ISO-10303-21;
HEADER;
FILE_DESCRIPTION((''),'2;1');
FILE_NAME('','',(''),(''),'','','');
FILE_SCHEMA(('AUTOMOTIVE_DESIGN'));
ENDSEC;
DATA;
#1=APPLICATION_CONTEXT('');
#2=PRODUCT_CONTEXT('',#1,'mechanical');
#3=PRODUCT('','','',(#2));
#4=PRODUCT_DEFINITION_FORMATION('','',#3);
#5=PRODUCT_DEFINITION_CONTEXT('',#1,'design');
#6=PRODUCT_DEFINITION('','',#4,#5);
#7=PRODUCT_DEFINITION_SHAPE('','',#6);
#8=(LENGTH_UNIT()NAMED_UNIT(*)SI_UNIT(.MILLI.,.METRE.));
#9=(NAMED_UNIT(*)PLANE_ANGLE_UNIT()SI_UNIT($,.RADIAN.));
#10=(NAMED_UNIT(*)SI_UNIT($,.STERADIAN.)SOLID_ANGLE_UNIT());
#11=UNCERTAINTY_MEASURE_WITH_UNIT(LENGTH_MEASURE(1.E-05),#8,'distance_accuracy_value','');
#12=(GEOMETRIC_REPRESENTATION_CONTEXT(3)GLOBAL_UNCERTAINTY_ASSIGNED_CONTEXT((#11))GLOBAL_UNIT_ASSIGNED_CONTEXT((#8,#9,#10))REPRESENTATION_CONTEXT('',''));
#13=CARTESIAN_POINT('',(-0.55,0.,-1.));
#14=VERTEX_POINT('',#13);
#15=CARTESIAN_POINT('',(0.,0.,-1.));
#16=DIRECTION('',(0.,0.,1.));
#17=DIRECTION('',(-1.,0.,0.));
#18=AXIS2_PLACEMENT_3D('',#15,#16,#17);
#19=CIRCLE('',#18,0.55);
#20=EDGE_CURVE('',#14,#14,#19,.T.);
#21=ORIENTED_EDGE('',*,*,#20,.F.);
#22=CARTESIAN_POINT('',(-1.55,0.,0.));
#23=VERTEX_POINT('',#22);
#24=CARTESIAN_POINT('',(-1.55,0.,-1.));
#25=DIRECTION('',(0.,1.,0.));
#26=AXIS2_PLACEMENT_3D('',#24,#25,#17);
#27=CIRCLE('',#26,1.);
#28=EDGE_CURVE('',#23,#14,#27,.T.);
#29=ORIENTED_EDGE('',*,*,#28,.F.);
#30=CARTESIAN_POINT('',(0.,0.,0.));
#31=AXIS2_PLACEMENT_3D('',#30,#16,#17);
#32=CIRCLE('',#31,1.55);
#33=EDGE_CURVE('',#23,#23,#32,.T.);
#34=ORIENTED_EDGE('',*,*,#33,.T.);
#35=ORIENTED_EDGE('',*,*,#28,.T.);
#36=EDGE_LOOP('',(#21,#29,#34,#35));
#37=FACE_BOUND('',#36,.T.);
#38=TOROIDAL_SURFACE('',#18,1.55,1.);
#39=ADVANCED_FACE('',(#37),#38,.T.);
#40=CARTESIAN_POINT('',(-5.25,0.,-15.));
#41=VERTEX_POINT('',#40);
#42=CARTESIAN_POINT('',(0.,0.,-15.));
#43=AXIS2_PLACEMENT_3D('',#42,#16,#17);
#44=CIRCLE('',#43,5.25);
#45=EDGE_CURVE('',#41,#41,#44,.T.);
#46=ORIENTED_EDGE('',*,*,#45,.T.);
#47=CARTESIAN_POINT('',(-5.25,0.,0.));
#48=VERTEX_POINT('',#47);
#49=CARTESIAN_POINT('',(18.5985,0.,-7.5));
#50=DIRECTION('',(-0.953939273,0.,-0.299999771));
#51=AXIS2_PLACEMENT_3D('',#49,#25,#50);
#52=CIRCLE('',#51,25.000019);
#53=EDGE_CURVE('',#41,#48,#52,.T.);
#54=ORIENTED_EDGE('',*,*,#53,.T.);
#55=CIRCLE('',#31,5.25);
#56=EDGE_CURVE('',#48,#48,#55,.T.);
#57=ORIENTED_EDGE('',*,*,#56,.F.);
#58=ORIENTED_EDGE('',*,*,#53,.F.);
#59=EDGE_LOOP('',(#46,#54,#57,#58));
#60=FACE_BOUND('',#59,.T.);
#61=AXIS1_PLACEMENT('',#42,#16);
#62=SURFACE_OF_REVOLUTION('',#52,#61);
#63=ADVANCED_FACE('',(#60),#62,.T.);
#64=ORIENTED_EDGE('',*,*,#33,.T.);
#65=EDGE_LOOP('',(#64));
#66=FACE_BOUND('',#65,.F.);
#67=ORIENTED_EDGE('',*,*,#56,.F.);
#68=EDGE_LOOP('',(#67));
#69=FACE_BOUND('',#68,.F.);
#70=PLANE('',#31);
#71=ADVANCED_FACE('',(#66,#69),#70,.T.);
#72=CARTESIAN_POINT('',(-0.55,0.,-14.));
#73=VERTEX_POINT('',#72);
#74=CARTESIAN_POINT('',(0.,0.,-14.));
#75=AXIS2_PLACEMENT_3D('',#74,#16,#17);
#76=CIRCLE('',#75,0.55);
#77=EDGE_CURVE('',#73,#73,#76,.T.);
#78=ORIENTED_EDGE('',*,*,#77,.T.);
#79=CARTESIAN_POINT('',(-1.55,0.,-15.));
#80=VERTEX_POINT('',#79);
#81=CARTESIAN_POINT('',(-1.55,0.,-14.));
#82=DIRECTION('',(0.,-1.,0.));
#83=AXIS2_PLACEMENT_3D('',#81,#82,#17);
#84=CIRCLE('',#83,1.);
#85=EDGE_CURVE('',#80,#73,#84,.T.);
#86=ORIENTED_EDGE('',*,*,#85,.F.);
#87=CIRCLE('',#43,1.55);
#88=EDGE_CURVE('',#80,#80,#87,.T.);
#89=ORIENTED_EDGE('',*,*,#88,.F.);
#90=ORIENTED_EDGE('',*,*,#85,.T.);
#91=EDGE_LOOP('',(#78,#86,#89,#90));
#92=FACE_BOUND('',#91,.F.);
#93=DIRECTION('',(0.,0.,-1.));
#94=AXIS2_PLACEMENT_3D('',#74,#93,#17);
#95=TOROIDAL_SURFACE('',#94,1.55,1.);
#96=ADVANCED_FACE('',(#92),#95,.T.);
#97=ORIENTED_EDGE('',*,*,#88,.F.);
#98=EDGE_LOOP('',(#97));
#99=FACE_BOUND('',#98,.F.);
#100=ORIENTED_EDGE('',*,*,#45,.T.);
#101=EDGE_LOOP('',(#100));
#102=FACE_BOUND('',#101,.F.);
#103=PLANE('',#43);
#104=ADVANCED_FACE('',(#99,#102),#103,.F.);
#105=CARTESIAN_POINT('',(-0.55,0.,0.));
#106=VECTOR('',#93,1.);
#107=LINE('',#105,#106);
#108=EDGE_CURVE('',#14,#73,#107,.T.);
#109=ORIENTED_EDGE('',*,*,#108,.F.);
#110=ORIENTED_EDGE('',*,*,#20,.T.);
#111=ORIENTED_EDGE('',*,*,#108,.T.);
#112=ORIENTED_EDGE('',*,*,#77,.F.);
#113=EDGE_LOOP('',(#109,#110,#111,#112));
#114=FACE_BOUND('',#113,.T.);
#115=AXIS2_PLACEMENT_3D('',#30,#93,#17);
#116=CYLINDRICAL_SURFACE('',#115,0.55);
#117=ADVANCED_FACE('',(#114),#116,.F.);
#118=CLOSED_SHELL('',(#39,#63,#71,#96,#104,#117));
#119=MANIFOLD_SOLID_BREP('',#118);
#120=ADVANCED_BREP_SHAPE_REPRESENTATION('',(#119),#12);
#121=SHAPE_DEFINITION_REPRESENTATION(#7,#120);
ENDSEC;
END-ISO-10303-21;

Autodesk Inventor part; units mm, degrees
ref_plane "YZ Plane" through (0, 0, 0) normal (1, 0, 0) x (0, 1, 0)
ref_plane "XZ Plane" through (0, 0, 0) normal (0, 1, 0) x (-1, 0, 0)
ref_plane "XY Plane" through (0, 0, 0) normal (0, 0, 1) x (1, 0, 0)
sketch "Sketch1" plane through (0, 0, 0) normal (0, 1, 0) x (-1, 0, 0)
  line L0 (0, 0) -> (5.25, 0)
  line L1 (5.25, 0) -> (5.25, -15) construction
  line L2 (5.25, -15) -> (0, -15)
  line L3 (0, -15) -> (0, 0)
  arc A0 (5.25, -15) -> (5.25, 0) centre (-18.5985, -7.5) ccw
  line L4 (0.55, 0) -> (0.55, -15)
  dimension "d0" = 15
  dimension "d1" = 5.25
  dimension "d2" = 25
  dimension "d3" = 0.55
revolve "Revolution1" add sketch "Sketch1" angle 360 about axis through (0, 0, -15) along (0, 0, 1) contours L0 A0 L2 L4
fillet "Fillet1" radius 1 2 edges at (0.55, 0, 0) (0.55, 0, -15)
properties part number "5wheelroller"
